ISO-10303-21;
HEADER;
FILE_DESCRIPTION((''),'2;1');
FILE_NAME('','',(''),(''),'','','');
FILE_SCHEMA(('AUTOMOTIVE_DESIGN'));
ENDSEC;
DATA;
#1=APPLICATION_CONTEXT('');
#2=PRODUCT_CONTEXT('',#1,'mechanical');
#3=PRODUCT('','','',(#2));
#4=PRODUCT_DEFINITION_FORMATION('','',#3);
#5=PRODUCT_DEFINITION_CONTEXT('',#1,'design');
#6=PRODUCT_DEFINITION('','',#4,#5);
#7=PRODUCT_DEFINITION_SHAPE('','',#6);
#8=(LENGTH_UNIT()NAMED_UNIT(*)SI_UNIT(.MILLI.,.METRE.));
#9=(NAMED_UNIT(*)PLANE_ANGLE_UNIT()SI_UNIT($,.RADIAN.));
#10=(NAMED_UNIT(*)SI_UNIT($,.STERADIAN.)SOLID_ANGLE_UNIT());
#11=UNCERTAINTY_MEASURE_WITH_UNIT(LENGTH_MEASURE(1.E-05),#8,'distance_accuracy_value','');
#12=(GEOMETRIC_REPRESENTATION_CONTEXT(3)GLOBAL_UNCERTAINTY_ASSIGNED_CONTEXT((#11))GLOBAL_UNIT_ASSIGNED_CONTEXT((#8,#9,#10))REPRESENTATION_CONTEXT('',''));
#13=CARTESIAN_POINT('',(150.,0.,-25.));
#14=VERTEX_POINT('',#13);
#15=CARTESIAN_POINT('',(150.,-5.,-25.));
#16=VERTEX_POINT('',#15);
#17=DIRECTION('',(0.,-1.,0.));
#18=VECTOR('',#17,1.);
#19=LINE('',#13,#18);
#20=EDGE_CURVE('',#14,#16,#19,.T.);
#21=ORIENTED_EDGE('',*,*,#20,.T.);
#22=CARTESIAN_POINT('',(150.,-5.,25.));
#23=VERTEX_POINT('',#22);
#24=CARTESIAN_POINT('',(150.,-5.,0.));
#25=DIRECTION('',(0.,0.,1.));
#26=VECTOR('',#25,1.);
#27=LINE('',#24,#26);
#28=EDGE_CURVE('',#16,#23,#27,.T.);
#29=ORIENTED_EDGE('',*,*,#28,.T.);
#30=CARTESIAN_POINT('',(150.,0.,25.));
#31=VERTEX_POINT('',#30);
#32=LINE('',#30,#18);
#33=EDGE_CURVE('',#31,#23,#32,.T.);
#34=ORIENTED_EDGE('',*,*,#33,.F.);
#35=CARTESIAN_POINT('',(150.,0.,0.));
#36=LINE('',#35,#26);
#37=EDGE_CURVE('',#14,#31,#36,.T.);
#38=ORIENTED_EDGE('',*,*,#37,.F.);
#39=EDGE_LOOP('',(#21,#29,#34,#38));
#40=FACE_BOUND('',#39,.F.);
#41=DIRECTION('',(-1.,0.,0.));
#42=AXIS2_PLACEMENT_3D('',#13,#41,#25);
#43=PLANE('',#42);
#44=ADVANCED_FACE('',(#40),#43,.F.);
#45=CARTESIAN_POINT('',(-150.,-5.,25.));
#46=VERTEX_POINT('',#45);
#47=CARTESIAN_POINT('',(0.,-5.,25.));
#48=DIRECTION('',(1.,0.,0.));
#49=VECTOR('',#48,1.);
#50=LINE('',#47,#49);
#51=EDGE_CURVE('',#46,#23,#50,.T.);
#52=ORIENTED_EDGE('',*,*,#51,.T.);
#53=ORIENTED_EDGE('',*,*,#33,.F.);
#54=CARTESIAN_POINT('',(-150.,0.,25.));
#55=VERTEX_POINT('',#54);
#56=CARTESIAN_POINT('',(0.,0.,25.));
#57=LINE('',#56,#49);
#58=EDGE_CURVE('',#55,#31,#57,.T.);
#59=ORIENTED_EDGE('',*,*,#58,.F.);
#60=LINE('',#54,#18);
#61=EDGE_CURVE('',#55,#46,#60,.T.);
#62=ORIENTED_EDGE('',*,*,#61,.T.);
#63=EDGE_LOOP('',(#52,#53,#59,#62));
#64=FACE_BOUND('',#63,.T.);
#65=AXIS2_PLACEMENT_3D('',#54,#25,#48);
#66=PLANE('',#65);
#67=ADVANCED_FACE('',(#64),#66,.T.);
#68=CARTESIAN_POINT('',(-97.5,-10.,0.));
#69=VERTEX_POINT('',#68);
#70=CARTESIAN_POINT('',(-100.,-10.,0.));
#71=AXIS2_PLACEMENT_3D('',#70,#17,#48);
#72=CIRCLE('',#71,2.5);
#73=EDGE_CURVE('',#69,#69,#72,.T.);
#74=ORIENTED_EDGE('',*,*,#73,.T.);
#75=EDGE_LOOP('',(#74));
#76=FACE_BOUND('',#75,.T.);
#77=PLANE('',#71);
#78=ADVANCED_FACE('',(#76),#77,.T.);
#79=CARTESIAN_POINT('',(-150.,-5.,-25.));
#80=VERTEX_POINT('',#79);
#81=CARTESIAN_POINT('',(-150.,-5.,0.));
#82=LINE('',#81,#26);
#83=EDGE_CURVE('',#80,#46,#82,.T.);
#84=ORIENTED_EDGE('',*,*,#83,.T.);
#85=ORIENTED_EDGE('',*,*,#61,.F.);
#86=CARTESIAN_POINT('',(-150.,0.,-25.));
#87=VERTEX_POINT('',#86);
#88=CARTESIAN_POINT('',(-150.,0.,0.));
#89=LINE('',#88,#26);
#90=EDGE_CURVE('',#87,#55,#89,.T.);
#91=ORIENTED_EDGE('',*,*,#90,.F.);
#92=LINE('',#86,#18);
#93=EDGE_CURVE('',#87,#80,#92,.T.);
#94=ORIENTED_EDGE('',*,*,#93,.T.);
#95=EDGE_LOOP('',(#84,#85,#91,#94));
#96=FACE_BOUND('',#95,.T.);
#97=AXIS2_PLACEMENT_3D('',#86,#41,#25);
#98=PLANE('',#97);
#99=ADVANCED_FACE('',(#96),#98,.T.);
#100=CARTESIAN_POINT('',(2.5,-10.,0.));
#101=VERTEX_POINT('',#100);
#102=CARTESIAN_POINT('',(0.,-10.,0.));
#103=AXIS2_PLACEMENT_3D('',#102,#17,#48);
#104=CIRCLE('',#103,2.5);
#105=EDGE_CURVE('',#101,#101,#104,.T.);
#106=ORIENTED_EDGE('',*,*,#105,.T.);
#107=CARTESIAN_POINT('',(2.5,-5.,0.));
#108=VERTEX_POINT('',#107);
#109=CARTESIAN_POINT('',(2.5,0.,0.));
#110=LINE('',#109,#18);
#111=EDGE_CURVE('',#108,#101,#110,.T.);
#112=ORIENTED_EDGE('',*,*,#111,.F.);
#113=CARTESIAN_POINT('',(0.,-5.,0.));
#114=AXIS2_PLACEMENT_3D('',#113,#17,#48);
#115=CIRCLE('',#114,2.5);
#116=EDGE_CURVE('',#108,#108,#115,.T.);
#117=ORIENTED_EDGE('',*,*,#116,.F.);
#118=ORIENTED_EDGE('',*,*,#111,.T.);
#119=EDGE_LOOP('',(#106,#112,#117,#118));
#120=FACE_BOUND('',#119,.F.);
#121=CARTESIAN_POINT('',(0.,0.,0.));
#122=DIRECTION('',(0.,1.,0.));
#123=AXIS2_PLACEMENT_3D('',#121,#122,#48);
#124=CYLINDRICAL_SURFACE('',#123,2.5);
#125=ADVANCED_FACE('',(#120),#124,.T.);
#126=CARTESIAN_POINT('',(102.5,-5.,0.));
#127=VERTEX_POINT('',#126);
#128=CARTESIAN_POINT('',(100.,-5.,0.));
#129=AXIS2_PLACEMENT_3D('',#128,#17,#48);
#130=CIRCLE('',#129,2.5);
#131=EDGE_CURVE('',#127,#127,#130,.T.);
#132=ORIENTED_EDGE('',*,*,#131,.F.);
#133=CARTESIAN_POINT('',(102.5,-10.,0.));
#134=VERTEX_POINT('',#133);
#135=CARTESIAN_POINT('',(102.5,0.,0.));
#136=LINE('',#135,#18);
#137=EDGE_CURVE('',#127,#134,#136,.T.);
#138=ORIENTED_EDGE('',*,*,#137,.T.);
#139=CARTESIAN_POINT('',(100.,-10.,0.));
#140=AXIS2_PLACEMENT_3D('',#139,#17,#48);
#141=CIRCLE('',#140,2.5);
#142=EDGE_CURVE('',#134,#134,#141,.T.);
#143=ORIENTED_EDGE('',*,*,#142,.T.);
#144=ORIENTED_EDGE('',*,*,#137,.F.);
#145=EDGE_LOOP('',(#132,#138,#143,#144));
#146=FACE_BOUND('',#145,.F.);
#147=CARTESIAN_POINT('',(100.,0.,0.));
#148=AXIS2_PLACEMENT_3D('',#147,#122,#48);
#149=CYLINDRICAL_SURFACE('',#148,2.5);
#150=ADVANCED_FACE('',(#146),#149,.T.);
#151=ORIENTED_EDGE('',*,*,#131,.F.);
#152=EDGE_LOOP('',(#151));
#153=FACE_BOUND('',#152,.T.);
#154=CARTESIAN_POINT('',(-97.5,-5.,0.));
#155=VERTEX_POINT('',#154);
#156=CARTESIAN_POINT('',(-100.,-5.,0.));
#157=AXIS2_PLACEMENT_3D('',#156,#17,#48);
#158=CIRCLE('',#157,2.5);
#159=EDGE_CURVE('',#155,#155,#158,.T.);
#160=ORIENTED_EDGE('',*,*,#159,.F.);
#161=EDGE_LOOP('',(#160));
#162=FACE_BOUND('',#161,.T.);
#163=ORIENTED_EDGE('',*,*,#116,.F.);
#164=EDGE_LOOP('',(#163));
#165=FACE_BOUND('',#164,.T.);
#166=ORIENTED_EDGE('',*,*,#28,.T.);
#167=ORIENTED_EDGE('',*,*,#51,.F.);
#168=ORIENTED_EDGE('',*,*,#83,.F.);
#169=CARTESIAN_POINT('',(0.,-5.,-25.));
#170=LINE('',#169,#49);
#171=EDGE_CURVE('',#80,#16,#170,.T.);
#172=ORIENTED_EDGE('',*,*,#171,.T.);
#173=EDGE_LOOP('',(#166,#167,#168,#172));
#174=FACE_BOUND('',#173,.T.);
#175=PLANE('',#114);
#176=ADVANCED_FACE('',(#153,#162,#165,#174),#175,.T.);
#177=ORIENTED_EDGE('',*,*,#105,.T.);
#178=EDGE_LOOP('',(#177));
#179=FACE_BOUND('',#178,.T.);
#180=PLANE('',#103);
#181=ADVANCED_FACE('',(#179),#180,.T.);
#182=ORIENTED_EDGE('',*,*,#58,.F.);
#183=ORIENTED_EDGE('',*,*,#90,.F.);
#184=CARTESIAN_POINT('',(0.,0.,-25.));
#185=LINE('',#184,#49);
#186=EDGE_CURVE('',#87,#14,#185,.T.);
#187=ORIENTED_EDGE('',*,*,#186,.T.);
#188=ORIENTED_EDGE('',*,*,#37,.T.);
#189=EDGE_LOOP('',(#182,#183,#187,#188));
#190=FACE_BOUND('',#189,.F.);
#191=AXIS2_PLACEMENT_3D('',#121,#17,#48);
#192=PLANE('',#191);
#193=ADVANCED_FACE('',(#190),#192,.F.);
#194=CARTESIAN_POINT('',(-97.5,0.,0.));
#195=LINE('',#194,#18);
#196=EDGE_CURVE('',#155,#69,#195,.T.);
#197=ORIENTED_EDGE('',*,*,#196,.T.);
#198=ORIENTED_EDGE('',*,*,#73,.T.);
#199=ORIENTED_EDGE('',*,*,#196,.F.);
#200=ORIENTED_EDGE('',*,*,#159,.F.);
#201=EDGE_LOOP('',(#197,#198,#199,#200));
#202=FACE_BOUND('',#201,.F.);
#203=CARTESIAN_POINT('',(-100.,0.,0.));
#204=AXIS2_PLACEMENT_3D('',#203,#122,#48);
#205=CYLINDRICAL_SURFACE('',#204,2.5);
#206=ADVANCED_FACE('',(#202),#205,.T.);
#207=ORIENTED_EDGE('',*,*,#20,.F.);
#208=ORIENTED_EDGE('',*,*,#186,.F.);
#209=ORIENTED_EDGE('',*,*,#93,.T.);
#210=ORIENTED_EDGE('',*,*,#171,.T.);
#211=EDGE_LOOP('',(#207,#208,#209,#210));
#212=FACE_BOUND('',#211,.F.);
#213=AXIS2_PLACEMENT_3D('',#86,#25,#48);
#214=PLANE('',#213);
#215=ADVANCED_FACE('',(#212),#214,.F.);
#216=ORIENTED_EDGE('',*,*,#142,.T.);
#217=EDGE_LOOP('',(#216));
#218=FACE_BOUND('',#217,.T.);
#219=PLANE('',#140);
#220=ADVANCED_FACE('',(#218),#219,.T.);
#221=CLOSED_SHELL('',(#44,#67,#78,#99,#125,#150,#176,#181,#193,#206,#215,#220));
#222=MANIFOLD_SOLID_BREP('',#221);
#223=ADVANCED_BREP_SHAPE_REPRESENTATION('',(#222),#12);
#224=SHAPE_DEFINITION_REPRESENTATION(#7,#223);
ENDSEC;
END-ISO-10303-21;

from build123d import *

# Parameters (mm, degrees)
F0_W     = 300
F0_H     = 50
F0_R     = 2.5
F1_DEPTH = 5
F2_DEPTH = 10


with BuildPart() as f1:
    # F0 (on Front) → F1 (new body)
    with BuildSketch(Plane.XZ):
        Rectangle(F0_W, F0_H)
        with Locations((-100, 0)):
            Circle(F0_R, mode=Mode.SUBTRACT)
        Circle(F0_R, mode=Mode.SUBTRACT)
        with Locations((100, 0)):
            Circle(F0_R, mode=Mode.SUBTRACT)
    extrude(amount=F1_DEPTH)

    # F0 (on Front) → F2 (join)
    with BuildSketch(Plane.XZ):
        with Locations((-100, 0)):
            Circle(F0_R)
        Circle(F0_R)
        with Locations((100, 0)):
            Circle(F0_R)
    extrude(amount=F2_DEPTH)


solid = f1.part
